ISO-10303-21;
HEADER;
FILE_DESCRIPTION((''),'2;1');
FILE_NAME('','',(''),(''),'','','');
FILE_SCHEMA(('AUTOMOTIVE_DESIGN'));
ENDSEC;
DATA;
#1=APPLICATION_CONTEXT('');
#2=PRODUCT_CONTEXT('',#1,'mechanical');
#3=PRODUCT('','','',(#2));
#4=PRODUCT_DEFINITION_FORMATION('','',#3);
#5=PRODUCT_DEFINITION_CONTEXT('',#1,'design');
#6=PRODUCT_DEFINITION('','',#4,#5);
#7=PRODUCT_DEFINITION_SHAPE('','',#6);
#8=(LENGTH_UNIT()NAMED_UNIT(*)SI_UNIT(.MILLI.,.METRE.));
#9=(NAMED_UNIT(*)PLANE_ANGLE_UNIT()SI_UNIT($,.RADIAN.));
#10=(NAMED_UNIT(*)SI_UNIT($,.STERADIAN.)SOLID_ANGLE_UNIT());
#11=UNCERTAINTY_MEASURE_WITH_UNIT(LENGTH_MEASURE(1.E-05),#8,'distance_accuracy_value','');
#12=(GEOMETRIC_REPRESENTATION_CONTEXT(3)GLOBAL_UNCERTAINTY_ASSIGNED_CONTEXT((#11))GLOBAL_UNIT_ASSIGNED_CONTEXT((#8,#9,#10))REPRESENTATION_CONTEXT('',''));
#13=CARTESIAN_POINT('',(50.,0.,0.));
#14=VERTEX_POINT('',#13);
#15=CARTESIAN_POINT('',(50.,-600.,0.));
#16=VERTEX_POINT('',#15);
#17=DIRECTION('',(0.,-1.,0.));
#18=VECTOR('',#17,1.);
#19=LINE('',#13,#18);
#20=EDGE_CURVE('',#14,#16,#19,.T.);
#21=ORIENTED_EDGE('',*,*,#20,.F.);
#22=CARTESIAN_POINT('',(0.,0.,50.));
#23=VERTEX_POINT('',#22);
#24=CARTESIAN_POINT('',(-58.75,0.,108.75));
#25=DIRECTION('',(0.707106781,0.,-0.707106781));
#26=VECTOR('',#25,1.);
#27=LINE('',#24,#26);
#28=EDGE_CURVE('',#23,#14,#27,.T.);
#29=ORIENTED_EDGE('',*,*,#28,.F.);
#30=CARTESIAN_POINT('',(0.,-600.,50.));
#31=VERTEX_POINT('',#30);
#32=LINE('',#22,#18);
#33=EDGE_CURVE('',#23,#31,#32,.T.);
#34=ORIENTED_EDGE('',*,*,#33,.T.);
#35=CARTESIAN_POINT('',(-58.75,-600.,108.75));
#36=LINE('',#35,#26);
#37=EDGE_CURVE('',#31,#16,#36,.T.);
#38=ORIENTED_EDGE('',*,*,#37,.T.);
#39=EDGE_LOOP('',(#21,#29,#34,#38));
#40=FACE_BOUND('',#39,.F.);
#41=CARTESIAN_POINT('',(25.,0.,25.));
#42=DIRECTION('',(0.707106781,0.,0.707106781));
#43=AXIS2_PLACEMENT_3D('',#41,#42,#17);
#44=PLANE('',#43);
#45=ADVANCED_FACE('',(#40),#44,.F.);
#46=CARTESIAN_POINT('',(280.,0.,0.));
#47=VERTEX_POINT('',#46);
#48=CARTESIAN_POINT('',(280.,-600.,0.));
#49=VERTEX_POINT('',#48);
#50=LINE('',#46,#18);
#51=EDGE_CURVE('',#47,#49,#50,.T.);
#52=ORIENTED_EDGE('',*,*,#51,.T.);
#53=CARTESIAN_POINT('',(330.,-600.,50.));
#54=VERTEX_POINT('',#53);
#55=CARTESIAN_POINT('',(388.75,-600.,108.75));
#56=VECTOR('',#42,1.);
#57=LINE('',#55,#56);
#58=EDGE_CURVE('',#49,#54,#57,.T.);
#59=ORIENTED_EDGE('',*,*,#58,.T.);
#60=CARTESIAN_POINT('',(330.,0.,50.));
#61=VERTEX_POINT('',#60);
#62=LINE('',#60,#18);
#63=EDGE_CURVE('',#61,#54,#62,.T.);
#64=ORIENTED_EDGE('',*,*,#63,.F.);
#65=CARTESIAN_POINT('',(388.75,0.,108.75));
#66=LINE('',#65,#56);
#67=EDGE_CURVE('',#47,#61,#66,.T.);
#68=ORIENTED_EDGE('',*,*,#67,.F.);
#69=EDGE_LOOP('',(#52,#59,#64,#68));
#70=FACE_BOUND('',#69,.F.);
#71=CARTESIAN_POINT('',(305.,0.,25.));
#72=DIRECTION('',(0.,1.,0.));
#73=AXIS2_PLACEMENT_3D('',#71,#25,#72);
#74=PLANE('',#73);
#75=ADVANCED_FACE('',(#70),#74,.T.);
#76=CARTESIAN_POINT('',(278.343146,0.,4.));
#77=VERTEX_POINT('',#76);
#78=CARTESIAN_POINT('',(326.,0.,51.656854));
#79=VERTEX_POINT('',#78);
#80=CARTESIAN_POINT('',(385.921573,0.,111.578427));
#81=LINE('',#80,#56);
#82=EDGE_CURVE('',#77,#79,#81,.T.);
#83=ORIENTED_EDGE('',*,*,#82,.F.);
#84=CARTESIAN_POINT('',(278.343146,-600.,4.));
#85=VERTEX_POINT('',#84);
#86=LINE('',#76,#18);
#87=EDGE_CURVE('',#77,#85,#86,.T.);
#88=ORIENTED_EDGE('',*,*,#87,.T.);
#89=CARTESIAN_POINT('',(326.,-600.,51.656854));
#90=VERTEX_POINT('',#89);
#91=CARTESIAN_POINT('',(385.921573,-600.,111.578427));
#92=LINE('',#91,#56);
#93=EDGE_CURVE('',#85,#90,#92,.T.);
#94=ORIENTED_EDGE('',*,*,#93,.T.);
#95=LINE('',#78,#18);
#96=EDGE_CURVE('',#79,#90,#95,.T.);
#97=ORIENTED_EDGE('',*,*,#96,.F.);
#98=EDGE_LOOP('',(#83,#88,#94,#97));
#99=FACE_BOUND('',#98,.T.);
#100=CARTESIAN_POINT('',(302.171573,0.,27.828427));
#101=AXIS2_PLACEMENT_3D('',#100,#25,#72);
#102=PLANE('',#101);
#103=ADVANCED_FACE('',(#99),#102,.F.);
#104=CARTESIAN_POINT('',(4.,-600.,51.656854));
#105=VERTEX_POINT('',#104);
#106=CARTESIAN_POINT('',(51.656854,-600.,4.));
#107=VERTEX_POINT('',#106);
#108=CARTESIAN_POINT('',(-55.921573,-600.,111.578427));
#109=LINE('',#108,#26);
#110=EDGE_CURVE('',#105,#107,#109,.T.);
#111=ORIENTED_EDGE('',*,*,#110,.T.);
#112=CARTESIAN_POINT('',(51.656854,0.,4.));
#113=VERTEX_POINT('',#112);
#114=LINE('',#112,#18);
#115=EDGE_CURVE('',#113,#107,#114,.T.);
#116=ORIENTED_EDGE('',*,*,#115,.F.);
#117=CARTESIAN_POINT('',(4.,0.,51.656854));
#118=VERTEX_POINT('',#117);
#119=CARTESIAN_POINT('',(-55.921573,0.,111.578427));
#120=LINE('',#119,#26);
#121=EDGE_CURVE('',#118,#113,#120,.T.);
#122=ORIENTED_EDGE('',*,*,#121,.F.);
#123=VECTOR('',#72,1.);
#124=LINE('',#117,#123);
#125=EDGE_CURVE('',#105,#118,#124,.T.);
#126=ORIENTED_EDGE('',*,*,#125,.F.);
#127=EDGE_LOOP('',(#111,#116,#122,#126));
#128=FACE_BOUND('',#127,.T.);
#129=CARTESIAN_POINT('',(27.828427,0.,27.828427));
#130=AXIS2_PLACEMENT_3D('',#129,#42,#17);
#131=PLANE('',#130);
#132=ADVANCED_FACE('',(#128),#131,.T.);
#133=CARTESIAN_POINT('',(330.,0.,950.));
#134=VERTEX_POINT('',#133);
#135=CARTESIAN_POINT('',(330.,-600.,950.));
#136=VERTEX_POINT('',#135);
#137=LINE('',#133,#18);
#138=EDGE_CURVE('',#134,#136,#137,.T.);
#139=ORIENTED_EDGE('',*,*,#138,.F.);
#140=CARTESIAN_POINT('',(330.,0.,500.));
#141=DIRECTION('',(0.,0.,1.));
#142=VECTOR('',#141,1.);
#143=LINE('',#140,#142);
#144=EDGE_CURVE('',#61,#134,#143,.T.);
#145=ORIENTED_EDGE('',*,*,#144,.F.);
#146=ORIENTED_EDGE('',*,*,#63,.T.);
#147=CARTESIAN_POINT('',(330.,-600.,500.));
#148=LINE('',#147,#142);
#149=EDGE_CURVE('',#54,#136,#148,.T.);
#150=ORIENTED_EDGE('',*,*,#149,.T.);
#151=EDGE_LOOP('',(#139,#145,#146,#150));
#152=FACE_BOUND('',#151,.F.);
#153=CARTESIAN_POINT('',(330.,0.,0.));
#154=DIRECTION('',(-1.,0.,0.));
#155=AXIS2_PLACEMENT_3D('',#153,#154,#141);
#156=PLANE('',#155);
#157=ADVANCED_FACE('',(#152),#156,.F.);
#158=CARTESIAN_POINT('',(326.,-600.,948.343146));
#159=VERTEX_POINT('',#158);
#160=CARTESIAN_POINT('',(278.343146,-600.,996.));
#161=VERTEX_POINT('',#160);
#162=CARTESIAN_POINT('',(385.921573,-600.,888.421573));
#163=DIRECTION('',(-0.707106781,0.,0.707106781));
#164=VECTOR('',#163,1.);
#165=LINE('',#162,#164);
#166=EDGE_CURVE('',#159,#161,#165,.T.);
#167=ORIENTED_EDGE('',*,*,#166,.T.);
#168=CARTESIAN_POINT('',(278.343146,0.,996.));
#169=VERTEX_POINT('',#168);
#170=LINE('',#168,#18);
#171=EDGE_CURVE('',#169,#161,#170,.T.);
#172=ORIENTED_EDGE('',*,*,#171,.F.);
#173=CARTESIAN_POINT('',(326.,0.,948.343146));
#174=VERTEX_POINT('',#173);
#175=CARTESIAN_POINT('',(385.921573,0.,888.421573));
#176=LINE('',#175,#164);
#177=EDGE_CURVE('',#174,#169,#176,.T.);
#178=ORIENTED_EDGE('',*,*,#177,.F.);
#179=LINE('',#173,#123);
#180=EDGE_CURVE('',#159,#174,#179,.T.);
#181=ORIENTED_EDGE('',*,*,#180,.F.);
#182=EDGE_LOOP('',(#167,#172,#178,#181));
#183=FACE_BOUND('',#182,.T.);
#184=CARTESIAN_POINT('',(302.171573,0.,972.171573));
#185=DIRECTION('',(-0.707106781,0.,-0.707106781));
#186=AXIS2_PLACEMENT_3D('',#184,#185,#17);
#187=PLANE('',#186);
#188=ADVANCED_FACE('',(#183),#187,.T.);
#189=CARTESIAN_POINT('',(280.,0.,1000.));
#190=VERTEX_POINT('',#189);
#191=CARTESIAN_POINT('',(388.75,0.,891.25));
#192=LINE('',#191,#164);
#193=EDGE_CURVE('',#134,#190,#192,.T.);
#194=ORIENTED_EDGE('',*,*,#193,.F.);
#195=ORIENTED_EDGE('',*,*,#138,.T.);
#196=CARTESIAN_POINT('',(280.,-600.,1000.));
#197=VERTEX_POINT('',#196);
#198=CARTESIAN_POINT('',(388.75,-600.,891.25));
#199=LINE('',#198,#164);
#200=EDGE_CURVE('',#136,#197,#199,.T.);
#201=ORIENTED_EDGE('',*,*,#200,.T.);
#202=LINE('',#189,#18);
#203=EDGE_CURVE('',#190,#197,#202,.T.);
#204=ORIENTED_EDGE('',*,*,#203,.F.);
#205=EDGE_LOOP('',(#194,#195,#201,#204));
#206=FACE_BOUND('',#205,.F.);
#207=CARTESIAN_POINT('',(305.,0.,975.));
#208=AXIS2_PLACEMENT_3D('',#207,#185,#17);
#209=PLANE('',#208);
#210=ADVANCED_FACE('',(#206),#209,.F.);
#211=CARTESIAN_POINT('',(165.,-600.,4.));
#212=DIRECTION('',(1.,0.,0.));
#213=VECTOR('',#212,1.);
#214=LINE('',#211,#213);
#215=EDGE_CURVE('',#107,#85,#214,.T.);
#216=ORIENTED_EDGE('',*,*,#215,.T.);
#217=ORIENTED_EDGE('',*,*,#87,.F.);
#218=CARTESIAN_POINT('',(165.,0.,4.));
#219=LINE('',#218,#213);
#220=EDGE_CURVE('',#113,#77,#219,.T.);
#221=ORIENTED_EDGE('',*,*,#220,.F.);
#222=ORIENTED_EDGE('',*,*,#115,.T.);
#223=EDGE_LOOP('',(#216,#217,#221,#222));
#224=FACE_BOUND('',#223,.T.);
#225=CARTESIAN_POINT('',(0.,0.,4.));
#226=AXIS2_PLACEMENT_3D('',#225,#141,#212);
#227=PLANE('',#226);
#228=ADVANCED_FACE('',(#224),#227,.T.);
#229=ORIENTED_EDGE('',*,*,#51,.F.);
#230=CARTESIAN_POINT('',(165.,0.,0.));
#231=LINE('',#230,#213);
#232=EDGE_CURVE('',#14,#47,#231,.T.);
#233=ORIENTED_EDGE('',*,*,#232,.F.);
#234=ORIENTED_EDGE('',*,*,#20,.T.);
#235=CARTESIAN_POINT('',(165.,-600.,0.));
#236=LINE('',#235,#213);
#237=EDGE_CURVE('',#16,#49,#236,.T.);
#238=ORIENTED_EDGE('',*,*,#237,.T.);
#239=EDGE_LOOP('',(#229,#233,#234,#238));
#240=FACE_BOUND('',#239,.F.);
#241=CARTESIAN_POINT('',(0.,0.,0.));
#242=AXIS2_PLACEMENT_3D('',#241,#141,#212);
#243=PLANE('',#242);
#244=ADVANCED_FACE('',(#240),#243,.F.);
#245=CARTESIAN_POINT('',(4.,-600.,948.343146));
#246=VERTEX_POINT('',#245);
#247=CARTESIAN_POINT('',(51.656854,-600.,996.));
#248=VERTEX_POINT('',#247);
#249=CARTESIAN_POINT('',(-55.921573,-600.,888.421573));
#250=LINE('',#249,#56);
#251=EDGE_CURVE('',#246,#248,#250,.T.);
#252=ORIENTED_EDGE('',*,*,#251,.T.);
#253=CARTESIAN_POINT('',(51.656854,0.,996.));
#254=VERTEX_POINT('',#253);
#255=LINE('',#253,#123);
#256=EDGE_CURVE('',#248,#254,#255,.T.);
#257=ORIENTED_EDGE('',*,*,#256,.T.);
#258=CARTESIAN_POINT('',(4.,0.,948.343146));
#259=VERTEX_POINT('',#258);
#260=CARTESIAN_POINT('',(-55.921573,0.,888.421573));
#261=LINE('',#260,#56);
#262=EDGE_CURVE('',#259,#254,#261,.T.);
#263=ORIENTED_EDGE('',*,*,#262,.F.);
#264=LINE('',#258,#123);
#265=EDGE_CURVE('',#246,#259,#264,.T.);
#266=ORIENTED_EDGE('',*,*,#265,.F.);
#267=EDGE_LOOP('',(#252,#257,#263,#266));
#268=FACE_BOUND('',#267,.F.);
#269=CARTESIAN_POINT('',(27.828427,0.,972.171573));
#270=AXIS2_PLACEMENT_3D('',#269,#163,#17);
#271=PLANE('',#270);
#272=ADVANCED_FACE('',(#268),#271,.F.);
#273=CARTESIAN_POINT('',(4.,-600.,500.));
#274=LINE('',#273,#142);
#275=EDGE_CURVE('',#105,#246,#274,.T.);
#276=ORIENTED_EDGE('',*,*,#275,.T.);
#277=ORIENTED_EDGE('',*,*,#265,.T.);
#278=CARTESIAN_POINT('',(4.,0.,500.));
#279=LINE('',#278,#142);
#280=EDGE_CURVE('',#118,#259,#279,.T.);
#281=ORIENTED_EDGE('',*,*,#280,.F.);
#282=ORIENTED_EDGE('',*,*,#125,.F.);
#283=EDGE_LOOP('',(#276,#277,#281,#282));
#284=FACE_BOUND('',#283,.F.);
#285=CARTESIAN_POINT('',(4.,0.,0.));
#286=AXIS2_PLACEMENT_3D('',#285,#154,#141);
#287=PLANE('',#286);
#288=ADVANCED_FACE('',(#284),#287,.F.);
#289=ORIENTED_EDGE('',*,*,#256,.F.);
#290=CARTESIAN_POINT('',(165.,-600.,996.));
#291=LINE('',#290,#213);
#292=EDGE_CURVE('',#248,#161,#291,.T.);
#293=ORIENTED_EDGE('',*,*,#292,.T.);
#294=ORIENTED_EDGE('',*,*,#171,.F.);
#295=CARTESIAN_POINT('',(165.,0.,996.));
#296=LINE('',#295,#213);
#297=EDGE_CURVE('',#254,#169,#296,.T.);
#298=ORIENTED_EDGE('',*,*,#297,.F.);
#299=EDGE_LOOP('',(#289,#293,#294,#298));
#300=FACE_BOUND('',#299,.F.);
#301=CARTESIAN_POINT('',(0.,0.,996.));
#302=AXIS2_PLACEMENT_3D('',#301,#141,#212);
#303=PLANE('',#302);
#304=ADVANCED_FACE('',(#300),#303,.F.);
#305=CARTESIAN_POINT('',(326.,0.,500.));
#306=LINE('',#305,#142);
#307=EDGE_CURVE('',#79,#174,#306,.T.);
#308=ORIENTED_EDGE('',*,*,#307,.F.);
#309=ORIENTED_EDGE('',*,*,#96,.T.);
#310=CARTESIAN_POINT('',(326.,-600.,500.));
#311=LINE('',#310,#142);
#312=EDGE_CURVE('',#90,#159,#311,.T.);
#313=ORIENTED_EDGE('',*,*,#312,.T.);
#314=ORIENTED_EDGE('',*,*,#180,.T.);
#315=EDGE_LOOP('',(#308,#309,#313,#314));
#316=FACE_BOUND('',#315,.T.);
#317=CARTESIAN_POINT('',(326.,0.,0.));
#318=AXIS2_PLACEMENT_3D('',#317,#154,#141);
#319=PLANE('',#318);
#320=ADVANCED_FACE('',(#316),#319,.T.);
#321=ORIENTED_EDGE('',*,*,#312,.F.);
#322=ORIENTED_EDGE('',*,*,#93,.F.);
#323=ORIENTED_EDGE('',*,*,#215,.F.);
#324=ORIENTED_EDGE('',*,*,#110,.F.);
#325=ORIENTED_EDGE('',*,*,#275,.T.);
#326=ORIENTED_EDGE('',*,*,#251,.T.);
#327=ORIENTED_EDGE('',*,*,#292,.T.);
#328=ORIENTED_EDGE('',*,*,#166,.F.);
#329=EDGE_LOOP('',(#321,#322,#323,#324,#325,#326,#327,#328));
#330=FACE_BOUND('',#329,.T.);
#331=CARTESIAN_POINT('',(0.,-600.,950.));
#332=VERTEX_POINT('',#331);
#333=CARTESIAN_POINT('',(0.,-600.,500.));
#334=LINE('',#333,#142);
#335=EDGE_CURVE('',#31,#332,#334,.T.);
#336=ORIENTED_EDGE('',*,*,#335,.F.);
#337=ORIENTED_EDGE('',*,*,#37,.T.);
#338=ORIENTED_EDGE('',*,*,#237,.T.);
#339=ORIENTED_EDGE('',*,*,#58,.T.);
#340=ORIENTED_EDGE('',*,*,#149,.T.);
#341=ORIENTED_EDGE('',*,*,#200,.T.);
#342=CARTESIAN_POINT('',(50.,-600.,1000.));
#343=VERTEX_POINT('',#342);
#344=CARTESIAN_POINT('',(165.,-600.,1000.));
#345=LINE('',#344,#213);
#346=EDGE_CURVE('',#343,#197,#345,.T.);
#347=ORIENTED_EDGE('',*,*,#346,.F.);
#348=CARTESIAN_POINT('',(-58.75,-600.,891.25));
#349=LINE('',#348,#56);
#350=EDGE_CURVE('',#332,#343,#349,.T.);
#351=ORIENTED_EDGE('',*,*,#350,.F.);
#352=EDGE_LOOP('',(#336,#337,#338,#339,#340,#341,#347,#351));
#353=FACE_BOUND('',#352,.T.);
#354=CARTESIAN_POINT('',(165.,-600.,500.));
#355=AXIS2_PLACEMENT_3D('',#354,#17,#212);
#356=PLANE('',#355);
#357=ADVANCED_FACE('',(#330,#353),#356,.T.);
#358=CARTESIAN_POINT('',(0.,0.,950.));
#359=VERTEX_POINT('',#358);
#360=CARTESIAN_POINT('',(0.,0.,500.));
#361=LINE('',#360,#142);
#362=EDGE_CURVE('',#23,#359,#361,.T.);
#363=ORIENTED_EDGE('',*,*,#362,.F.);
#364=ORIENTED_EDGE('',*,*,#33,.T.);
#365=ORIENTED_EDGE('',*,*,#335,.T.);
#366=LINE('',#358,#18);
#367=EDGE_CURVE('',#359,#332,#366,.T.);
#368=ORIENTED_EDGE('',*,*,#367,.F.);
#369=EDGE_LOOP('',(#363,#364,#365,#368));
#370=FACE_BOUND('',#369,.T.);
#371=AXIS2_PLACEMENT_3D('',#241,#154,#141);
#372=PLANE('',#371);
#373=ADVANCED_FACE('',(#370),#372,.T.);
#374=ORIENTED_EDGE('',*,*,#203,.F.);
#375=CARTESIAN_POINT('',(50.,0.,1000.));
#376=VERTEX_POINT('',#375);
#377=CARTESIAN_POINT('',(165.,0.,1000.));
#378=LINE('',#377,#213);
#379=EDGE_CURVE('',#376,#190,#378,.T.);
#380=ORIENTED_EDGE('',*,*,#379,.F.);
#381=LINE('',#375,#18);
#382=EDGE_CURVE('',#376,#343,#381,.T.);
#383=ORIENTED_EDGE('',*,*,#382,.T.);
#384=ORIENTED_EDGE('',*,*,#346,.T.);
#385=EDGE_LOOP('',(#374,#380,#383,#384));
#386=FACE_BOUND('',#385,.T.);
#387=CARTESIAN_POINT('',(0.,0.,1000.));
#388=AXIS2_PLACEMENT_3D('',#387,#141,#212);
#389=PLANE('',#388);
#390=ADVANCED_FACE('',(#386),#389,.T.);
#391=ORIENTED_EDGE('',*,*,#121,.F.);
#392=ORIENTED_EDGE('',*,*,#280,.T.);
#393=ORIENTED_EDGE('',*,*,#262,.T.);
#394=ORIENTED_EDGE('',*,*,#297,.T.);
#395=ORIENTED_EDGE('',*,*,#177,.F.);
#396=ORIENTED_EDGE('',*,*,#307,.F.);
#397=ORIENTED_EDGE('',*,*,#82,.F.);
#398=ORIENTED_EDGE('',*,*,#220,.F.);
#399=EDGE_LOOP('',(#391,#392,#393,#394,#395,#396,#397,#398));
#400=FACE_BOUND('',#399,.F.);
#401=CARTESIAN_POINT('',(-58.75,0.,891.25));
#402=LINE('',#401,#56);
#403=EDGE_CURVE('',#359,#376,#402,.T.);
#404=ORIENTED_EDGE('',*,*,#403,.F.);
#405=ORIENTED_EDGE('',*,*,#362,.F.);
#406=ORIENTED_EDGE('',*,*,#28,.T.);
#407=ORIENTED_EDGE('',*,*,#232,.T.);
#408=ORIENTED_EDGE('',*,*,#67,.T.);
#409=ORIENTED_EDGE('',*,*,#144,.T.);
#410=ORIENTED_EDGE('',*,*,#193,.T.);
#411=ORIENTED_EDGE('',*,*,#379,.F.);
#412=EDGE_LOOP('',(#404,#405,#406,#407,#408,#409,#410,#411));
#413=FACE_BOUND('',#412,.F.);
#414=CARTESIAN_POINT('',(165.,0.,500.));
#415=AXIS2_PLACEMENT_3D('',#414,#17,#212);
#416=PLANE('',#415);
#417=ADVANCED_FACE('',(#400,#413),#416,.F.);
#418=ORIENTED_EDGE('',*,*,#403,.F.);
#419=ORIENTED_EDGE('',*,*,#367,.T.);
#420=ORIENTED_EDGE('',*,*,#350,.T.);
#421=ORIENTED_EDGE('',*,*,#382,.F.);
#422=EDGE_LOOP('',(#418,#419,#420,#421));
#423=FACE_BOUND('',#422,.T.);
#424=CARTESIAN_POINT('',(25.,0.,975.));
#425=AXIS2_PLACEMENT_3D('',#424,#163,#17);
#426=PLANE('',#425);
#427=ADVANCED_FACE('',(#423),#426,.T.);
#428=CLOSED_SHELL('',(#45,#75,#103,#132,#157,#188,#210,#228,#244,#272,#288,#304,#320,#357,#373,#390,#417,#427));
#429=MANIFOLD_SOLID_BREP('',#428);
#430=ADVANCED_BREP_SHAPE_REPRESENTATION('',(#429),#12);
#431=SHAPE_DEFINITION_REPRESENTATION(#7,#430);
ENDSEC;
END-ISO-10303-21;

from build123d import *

# Parameters (mm, degrees)
F0_W     = 330
F0_H     = 1000
F1_DEPTH = 600
F2_SIZE  = 50
F3_T     = -4


with BuildPart() as f1:
    # F0 (on Front) → F1 (new body)
    with BuildSketch(Plane.XZ):
        with Locations((165, 500)):
            Rectangle(F0_W, F0_H)
    extrude(amount=F1_DEPTH)

    # F2
    f2_edges = [f1.edges().sort_by_distance(p)[0] for p in [
        (0, -300, 1000),
        (330, -300, 1000),
        (0, -300, 0),
        (330, -300, 0),
    ]]
    chamfer(f2_edges, length=F2_SIZE)

    # F3
    f3_openings = [f1.faces().sort_by_distance(p)[0] for p in [
        (165, -600, 500),
        (165, 0, 500),
    ]]
    offset(amount=F3_T, openings=f3_openings)


solid = f1.part
